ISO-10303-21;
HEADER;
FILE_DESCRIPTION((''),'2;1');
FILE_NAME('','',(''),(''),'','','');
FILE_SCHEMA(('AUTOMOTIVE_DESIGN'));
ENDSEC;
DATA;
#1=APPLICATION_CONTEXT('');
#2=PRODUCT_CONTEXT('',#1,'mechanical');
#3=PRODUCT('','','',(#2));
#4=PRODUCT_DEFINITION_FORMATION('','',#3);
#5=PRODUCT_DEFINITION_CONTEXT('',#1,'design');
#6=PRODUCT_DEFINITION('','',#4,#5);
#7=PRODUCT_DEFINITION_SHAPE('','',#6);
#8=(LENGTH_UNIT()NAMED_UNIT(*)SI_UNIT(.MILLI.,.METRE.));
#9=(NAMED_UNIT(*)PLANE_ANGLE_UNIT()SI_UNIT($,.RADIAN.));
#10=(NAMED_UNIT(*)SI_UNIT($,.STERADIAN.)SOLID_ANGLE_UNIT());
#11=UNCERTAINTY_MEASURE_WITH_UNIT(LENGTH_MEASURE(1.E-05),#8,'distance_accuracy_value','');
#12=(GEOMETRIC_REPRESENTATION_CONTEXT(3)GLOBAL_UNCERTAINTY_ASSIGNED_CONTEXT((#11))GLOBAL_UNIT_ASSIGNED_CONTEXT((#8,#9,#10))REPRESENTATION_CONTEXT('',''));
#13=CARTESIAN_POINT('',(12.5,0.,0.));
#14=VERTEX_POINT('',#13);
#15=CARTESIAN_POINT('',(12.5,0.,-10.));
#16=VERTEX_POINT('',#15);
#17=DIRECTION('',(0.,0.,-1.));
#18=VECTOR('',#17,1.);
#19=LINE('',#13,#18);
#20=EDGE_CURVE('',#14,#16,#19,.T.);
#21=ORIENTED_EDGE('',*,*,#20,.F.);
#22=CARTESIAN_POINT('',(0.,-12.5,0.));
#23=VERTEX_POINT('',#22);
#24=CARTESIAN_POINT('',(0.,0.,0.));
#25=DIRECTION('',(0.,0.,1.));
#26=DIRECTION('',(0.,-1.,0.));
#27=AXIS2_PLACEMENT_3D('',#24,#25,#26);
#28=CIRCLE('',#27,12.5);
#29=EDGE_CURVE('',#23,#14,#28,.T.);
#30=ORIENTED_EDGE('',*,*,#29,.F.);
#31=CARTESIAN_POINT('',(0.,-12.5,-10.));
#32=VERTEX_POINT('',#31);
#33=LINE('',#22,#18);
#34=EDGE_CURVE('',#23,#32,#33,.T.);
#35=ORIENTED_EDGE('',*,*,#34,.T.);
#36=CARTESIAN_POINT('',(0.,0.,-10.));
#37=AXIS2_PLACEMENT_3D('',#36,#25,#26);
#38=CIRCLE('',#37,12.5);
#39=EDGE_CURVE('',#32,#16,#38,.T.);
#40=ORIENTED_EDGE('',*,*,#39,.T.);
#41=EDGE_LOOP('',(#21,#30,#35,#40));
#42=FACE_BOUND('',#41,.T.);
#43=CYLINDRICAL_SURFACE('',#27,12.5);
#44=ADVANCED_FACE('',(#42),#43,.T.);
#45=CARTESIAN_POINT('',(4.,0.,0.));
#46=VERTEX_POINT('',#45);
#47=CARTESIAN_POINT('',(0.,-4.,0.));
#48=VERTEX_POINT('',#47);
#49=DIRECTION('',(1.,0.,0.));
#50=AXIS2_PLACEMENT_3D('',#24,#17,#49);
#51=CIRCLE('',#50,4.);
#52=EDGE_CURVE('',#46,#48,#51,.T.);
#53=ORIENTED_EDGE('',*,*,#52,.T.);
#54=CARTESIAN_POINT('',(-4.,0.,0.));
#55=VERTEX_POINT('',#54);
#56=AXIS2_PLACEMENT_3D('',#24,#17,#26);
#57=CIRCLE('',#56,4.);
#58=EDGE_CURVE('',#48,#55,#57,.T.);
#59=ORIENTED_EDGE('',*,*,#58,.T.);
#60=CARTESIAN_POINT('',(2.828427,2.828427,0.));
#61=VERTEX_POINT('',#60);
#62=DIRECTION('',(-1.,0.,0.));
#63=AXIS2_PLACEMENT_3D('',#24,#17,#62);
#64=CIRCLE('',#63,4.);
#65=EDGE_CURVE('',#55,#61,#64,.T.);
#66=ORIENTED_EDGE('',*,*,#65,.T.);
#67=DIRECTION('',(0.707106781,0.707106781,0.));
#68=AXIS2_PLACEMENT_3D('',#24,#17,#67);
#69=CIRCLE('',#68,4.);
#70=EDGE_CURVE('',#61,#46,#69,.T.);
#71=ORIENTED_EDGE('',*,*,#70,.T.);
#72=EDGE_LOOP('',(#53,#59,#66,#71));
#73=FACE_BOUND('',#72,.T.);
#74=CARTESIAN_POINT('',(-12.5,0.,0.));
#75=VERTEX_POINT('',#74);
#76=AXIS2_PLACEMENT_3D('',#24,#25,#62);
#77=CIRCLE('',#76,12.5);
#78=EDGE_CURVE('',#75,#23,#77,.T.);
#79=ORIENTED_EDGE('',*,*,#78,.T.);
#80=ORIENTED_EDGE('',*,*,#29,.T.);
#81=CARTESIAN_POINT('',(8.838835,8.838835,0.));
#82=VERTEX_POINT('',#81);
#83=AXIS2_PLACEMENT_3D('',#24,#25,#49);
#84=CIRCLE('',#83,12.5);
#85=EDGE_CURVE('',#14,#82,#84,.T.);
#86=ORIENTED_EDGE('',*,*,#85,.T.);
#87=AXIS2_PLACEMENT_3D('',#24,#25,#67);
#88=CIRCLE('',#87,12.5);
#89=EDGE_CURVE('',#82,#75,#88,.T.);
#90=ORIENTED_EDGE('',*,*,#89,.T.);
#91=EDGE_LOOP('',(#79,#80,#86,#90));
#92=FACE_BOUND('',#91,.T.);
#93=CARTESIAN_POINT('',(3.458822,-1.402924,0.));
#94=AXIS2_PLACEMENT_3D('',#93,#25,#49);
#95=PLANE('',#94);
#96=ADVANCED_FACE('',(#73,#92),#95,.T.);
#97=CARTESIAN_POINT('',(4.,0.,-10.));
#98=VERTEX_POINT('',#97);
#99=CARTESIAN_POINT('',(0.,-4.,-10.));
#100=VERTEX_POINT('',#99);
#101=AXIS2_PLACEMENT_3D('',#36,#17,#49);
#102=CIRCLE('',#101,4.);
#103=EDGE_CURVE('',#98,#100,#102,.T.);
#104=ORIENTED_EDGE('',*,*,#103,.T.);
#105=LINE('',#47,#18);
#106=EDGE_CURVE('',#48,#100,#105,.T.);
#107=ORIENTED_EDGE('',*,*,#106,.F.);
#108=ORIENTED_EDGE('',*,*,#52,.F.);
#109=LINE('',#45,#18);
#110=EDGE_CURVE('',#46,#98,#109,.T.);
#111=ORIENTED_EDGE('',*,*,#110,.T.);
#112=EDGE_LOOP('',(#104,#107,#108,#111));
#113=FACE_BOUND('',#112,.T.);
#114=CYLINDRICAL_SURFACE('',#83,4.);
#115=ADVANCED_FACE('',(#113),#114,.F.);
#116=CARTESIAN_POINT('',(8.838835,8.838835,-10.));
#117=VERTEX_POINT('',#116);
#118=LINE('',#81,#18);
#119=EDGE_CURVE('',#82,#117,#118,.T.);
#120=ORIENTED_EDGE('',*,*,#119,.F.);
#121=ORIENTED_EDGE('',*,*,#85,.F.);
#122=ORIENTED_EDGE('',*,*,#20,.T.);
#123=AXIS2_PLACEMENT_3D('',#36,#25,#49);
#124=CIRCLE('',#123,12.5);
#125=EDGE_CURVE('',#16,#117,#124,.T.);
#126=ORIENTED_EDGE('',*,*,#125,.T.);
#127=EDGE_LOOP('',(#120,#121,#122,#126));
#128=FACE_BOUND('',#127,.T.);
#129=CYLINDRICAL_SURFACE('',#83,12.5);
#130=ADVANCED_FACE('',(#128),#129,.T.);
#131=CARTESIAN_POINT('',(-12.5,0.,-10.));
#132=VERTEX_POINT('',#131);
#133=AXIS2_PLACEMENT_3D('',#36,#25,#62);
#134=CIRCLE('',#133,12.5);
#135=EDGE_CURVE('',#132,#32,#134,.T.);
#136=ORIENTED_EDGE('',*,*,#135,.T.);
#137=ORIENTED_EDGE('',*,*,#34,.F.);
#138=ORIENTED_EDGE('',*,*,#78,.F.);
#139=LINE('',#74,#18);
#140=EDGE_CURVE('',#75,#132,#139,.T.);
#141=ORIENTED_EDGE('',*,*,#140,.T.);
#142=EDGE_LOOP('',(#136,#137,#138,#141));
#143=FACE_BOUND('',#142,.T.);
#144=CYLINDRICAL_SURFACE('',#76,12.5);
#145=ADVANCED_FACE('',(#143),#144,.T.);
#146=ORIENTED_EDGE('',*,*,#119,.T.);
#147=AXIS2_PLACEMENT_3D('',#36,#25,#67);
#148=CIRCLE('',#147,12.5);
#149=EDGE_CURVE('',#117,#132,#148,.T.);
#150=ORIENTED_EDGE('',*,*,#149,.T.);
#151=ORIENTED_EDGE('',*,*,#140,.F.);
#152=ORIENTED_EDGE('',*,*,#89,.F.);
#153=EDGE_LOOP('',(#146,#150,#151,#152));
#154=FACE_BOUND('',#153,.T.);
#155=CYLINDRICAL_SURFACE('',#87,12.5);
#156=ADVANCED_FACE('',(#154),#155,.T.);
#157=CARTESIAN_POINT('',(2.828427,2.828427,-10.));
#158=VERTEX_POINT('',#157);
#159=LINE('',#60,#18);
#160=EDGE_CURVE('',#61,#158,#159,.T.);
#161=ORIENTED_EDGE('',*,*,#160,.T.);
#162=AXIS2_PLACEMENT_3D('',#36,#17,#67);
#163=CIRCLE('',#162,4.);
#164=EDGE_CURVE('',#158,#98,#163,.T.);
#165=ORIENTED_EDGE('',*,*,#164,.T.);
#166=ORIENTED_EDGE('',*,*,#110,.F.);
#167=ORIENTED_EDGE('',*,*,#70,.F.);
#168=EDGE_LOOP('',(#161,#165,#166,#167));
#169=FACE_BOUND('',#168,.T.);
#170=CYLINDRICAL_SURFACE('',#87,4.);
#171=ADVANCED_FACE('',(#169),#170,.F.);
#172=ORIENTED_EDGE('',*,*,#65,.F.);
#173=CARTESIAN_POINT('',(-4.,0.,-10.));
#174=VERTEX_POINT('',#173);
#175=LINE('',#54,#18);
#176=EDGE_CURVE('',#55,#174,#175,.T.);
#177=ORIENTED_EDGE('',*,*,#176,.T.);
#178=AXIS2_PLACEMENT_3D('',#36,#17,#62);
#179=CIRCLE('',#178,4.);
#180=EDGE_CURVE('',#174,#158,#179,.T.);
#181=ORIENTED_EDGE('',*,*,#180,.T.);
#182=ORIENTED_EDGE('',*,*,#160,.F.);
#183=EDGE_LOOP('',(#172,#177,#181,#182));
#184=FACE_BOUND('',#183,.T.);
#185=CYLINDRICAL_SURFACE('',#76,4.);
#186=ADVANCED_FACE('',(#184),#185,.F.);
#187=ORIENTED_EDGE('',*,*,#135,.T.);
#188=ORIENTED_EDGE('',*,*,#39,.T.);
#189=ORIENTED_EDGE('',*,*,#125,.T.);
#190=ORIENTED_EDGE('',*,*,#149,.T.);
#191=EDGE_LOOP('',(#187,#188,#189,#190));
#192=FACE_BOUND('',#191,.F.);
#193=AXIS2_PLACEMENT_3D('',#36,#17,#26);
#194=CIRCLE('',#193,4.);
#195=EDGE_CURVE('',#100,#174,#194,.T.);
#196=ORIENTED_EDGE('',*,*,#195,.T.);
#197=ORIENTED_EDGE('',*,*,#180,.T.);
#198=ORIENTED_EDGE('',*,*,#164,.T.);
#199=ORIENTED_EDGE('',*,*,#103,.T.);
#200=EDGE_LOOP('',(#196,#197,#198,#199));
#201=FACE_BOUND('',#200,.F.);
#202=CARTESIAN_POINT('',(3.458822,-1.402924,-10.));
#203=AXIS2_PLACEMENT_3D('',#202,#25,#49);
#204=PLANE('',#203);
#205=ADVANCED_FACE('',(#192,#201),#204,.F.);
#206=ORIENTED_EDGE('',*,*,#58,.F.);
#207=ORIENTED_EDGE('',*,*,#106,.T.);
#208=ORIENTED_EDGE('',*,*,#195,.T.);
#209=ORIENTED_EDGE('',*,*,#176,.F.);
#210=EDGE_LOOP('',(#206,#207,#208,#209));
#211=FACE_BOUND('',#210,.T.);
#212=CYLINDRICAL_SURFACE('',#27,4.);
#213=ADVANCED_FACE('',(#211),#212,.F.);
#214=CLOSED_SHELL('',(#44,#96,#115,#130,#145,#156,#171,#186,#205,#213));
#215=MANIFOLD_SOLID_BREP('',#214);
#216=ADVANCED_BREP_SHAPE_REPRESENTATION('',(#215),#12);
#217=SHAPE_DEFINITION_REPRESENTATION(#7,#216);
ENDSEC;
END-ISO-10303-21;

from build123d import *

# Parameters (mm, degrees)
F1_DEPTH = 10


with BuildPart() as f1:
    # F0 (on Top) → F1 (new body)
    with BuildSketch(Plane.XY):
        with BuildLine():
            Line((3.8890872965, 3.8890872965), (3.1819805153, 3.1819805153))
            ThreePointArc((3.1819805153, 3.1819805153), (4.1574578963, 1.7220754456), (4.5, 0))
            ThreePointArc((4.5, 0), (3.1819805153, -3.1819805153), (0, -4.5))
            Line((0, -4.5), (0, -5.5))
            ThreePointArc((0, -5.5), (3.8890872965, -3.8890872965), (5.5, 0))
            ThreePointArc((5.5, 0), (5.0813374288, 2.104758878), (3.8890872965, 3.8890872965))
        make_face()
        with BuildLine():
            Line((4.5961940777, 4.5961940777), (3.8890872965, 3.8890872965))
            ThreePointArc((3.8890872965, 3.8890872965), (5.0813374288, 2.104758878), (5.5, 0))
            ThreePointArc((5.5, 0), (3.8890872965, -3.8890872965), (0, -5.5))
            Line((0, -5.5), (0, -6.5))
            ThreePointArc((0, -6.5), (4.5961940777, -4.5961940777), (6.5, 0))
            ThreePointArc((6.5, 0), (6.0052169613, 2.4874423104), (4.5961940777, 4.5961940777))
        make_face()
        with BuildLine():
            Line((5.6568542495, 5.6568542495), (4.5961940777, 4.5961940777))
            ThreePointArc((4.5961940777, 4.5961940777), (6.0052169613, 2.4874423104), (6.5, 0))
            ThreePointArc((6.5, 0), (4.5961940777, -4.5961940777), (0, -6.5))
            Line((0, -6.5), (0, -8))
            ThreePointArc((0, -8), (5.6568542495, -5.6568542495), (8, 0))
            ThreePointArc((8, 0), (7.3910362601, 3.0614674589), (5.6568542495, 5.6568542495))
        make_face()
        with BuildLine():
            Line((6.3639610307, 6.3639610307), (5.6568542495, 5.6568542495))
            ThreePointArc((5.6568542495, 5.6568542495), (7.3910362601, 3.0614674589), (8, 0))
            ThreePointArc((8, 0), (5.6568542495, -5.6568542495), (0, -8))
            Line((0, -8), (0, -9))
            ThreePointArc((0, -9), (6.3639610307, -6.3639610307), (9, 0))
            ThreePointArc((9, 0), (8.3149157926, 3.4441508913), (6.3639610307, 6.3639610307))
        make_face()
        with BuildLine():
            Line((8.8388347648, 8.8388347648), (7.4246212025, 7.4246212025))
            ThreePointArc((7.4246212025, 7.4246212025), (9.7007350914, 4.0181760398), (10.5, 0))
            ThreePointArc((10.5, 0), (7.4246212025, -7.4246212025), (0, -10.5))
            Line((0, -10.5), (0, -12.5))
            ThreePointArc((0, -12.5), (8.8388347648, -8.8388347648), (12.5, 0))
            ThreePointArc((12.5, 0), (11.5484941564, 4.7835429046), (8.8388347648, 8.8388347648))
        make_face()
        with BuildLine():
            ThreePointArc((-10.5, 0), (-4.0181760398, 9.7007350914), (7.4246212025, 7.4246212025))
            Line((7.4246212025, 7.4246212025), (8.8388347648, 8.8388347648))
            ThreePointArc((8.8388347648, 8.8388347648), (-4.7835429046, 11.5484941564), (-12.5, 0))
            Line((-12.5, 0), (-10.5, 0))
        make_face()
        with BuildLine():
            ThreePointArc((-9, 0), (-3.4441508913, 8.3149157926), (6.3639610307, 6.3639610307))
            Line((6.3639610307, 6.3639610307), (7.4246212025, 7.4246212025))
            ThreePointArc((7.4246212025, 7.4246212025), (-4.0181760398, 9.7007350914), (-10.5, 0))
            Line((-10.5, 0), (-9, 0))
        make_face()
        with BuildLine():
            ThreePointArc((-8, 0), (-3.0614674589, 7.3910362601), (5.6568542495, 5.6568542495))
            Line((5.6568542495, 5.6568542495), (6.3639610307, 6.3639610307))
            ThreePointArc((6.3639610307, 6.3639610307), (-3.4441508913, 8.3149157926), (-9, 0))
            Line((-9, 0), (-8, 0))
        make_face()
        with BuildLine():
            ThreePointArc((-6.5, 0), (-2.4874423104, 6.0052169613), (4.5961940777, 4.5961940777))
            Line((4.5961940777, 4.5961940777), (5.6568542495, 5.6568542495))
            ThreePointArc((5.6568542495, 5.6568542495), (-3.0614674589, 7.3910362601), (-8, 0))
            Line((-8, 0), (-6.5, 0))
        make_face()
        with BuildLine():
            Line((7.4246212025, 7.4246212025), (6.3639610307, 6.3639610307))
            ThreePointArc((6.3639610307, 6.3639610307), (8.3149157926, 3.4441508913), (9, 0))
            ThreePointArc((9, 0), (6.3639610307, -6.3639610307), (0, -9))
            Line((0, -9), (0, -10.5))
            ThreePointArc((0, -10.5), (7.4246212025, -7.4246212025), (10.5, 0))
            ThreePointArc((10.5, 0), (9.7007350914, 4.0181760398), (7.4246212025, 7.4246212025))
        make_face()
        with BuildLine():
            ThreePointArc((-4.5, 0), (-1.7220754456, 4.1574578963), (3.1819805153, 3.1819805153))
            Line((3.1819805153, 3.1819805153), (3.8890872965, 3.8890872965))
            ThreePointArc((3.8890872965, 3.8890872965), (-2.104758878, 5.0813374288), (-5.5, 0))
            Line((-5.5, 0), (-4.5, 0))
        make_face()
        with BuildLine():
            ThreePointArc((-5.5, 0), (-2.104758878, 5.0813374288), (3.8890872965, 3.8890872965))
            Line((3.8890872965, 3.8890872965), (4.5961940777, 4.5961940777))
            ThreePointArc((4.5961940777, 4.5961940777), (-2.4874423104, 6.0052169613), (-6.5, 0))
            Line((-6.5, 0), (-5.5, 0))
        make_face()
        with BuildLine():
            ThreePointArc((2.8284271247, 2.8284271247), (3.69551813, 1.5307337295), (4, 0))
            ThreePointArc((4, 0), (2.8284271247, -2.8284271247), (0, -4))
            Line((0, -4), (0, -4.5))
            ThreePointArc((0, -4.5), (3.1819805153, -3.1819805153), (4.5, 0))
            ThreePointArc((4.5, 0), (4.1574578963, 1.7220754456), (3.1819805153, 3.1819805153))
            Line((3.1819805153, 3.1819805153), (2.8284271247, 2.8284271247))
        make_face()
        with BuildLine():
            ThreePointArc((-4, 0), (-1.5307337295, 3.69551813), (2.8284271247, 2.8284271247))
            Line((2.8284271247, 2.8284271247), (3.1819805153, 3.1819805153))
            ThreePointArc((3.1819805153, 3.1819805153), (-1.7220754456, 4.1574578963), (-4.5, 0))
            Line((-4.5, 0), (-4, 0))
        make_face()
        with BuildLine():
            Line((0, -4.5), (0, -4))
            ThreePointArc((0, -4), (-2.8284271247, -2.8284271247), (-4, 0))
            Line((-4, 0), (-4.5, 0))
            ThreePointArc((-4.5, 0), (-3.1819805153, -3.1819805153), (0, -4.5))
        make_face()
        with BuildLine():
            Line((0, -5.5), (0, -4.5))
            ThreePointArc((0, -4.5), (-3.1819805153, -3.1819805153), (-4.5, 0))
            Line((-4.5, 0), (-5.5, 0))
            ThreePointArc((-5.5, 0), (-3.8890872965, -3.8890872965), (0, -5.5))
        make_face()
        with BuildLine():
            Line((0, -6.5), (0, -5.5))
            ThreePointArc((0, -5.5), (-3.8890872965, -3.8890872965), (-5.5, 0))
            Line((-5.5, 0), (-6.5, 0))
            ThreePointArc((-6.5, 0), (-4.5961940777, -4.5961940777), (0, -6.5))
        make_face()
        with BuildLine():
            Line((0, -8), (0, -6.5))
            ThreePointArc((0, -6.5), (-4.5961940777, -4.5961940777), (-6.5, 0))
            Line((-6.5, 0), (-8, 0))
            ThreePointArc((-8, 0), (-5.6568542495, -5.6568542495), (0, -8))
        make_face()
        with BuildLine():
            Line((0, -9), (0, -8))
            ThreePointArc((0, -8), (-5.6568542495, -5.6568542495), (-8, 0))
            Line((-8, 0), (-9, 0))
            ThreePointArc((-9, 0), (-6.3639610307, -6.3639610307), (0, -9))
        make_face()
        with BuildLine():
            Line((0, -10.5), (0, -9))
            ThreePointArc((0, -9), (-6.3639610307, -6.3639610307), (-9, 0))
            Line((-9, 0), (-10.5, 0))
            ThreePointArc((-10.5, 0), (-7.4246212025, -7.4246212025), (0, -10.5))
        make_face()
        with BuildLine():
            Line((0, -12.5), (0, -10.5))
            ThreePointArc((0, -10.5), (-7.4246212025, -7.4246212025), (-10.5, 0))
            Line((-10.5, 0), (-12.5, 0))
            ThreePointArc((-12.5, 0), (-8.8388347648, -8.8388347648), (0, -12.5))
        make_face()
    extrude(amount=-F1_DEPTH)


solid = f1.part
